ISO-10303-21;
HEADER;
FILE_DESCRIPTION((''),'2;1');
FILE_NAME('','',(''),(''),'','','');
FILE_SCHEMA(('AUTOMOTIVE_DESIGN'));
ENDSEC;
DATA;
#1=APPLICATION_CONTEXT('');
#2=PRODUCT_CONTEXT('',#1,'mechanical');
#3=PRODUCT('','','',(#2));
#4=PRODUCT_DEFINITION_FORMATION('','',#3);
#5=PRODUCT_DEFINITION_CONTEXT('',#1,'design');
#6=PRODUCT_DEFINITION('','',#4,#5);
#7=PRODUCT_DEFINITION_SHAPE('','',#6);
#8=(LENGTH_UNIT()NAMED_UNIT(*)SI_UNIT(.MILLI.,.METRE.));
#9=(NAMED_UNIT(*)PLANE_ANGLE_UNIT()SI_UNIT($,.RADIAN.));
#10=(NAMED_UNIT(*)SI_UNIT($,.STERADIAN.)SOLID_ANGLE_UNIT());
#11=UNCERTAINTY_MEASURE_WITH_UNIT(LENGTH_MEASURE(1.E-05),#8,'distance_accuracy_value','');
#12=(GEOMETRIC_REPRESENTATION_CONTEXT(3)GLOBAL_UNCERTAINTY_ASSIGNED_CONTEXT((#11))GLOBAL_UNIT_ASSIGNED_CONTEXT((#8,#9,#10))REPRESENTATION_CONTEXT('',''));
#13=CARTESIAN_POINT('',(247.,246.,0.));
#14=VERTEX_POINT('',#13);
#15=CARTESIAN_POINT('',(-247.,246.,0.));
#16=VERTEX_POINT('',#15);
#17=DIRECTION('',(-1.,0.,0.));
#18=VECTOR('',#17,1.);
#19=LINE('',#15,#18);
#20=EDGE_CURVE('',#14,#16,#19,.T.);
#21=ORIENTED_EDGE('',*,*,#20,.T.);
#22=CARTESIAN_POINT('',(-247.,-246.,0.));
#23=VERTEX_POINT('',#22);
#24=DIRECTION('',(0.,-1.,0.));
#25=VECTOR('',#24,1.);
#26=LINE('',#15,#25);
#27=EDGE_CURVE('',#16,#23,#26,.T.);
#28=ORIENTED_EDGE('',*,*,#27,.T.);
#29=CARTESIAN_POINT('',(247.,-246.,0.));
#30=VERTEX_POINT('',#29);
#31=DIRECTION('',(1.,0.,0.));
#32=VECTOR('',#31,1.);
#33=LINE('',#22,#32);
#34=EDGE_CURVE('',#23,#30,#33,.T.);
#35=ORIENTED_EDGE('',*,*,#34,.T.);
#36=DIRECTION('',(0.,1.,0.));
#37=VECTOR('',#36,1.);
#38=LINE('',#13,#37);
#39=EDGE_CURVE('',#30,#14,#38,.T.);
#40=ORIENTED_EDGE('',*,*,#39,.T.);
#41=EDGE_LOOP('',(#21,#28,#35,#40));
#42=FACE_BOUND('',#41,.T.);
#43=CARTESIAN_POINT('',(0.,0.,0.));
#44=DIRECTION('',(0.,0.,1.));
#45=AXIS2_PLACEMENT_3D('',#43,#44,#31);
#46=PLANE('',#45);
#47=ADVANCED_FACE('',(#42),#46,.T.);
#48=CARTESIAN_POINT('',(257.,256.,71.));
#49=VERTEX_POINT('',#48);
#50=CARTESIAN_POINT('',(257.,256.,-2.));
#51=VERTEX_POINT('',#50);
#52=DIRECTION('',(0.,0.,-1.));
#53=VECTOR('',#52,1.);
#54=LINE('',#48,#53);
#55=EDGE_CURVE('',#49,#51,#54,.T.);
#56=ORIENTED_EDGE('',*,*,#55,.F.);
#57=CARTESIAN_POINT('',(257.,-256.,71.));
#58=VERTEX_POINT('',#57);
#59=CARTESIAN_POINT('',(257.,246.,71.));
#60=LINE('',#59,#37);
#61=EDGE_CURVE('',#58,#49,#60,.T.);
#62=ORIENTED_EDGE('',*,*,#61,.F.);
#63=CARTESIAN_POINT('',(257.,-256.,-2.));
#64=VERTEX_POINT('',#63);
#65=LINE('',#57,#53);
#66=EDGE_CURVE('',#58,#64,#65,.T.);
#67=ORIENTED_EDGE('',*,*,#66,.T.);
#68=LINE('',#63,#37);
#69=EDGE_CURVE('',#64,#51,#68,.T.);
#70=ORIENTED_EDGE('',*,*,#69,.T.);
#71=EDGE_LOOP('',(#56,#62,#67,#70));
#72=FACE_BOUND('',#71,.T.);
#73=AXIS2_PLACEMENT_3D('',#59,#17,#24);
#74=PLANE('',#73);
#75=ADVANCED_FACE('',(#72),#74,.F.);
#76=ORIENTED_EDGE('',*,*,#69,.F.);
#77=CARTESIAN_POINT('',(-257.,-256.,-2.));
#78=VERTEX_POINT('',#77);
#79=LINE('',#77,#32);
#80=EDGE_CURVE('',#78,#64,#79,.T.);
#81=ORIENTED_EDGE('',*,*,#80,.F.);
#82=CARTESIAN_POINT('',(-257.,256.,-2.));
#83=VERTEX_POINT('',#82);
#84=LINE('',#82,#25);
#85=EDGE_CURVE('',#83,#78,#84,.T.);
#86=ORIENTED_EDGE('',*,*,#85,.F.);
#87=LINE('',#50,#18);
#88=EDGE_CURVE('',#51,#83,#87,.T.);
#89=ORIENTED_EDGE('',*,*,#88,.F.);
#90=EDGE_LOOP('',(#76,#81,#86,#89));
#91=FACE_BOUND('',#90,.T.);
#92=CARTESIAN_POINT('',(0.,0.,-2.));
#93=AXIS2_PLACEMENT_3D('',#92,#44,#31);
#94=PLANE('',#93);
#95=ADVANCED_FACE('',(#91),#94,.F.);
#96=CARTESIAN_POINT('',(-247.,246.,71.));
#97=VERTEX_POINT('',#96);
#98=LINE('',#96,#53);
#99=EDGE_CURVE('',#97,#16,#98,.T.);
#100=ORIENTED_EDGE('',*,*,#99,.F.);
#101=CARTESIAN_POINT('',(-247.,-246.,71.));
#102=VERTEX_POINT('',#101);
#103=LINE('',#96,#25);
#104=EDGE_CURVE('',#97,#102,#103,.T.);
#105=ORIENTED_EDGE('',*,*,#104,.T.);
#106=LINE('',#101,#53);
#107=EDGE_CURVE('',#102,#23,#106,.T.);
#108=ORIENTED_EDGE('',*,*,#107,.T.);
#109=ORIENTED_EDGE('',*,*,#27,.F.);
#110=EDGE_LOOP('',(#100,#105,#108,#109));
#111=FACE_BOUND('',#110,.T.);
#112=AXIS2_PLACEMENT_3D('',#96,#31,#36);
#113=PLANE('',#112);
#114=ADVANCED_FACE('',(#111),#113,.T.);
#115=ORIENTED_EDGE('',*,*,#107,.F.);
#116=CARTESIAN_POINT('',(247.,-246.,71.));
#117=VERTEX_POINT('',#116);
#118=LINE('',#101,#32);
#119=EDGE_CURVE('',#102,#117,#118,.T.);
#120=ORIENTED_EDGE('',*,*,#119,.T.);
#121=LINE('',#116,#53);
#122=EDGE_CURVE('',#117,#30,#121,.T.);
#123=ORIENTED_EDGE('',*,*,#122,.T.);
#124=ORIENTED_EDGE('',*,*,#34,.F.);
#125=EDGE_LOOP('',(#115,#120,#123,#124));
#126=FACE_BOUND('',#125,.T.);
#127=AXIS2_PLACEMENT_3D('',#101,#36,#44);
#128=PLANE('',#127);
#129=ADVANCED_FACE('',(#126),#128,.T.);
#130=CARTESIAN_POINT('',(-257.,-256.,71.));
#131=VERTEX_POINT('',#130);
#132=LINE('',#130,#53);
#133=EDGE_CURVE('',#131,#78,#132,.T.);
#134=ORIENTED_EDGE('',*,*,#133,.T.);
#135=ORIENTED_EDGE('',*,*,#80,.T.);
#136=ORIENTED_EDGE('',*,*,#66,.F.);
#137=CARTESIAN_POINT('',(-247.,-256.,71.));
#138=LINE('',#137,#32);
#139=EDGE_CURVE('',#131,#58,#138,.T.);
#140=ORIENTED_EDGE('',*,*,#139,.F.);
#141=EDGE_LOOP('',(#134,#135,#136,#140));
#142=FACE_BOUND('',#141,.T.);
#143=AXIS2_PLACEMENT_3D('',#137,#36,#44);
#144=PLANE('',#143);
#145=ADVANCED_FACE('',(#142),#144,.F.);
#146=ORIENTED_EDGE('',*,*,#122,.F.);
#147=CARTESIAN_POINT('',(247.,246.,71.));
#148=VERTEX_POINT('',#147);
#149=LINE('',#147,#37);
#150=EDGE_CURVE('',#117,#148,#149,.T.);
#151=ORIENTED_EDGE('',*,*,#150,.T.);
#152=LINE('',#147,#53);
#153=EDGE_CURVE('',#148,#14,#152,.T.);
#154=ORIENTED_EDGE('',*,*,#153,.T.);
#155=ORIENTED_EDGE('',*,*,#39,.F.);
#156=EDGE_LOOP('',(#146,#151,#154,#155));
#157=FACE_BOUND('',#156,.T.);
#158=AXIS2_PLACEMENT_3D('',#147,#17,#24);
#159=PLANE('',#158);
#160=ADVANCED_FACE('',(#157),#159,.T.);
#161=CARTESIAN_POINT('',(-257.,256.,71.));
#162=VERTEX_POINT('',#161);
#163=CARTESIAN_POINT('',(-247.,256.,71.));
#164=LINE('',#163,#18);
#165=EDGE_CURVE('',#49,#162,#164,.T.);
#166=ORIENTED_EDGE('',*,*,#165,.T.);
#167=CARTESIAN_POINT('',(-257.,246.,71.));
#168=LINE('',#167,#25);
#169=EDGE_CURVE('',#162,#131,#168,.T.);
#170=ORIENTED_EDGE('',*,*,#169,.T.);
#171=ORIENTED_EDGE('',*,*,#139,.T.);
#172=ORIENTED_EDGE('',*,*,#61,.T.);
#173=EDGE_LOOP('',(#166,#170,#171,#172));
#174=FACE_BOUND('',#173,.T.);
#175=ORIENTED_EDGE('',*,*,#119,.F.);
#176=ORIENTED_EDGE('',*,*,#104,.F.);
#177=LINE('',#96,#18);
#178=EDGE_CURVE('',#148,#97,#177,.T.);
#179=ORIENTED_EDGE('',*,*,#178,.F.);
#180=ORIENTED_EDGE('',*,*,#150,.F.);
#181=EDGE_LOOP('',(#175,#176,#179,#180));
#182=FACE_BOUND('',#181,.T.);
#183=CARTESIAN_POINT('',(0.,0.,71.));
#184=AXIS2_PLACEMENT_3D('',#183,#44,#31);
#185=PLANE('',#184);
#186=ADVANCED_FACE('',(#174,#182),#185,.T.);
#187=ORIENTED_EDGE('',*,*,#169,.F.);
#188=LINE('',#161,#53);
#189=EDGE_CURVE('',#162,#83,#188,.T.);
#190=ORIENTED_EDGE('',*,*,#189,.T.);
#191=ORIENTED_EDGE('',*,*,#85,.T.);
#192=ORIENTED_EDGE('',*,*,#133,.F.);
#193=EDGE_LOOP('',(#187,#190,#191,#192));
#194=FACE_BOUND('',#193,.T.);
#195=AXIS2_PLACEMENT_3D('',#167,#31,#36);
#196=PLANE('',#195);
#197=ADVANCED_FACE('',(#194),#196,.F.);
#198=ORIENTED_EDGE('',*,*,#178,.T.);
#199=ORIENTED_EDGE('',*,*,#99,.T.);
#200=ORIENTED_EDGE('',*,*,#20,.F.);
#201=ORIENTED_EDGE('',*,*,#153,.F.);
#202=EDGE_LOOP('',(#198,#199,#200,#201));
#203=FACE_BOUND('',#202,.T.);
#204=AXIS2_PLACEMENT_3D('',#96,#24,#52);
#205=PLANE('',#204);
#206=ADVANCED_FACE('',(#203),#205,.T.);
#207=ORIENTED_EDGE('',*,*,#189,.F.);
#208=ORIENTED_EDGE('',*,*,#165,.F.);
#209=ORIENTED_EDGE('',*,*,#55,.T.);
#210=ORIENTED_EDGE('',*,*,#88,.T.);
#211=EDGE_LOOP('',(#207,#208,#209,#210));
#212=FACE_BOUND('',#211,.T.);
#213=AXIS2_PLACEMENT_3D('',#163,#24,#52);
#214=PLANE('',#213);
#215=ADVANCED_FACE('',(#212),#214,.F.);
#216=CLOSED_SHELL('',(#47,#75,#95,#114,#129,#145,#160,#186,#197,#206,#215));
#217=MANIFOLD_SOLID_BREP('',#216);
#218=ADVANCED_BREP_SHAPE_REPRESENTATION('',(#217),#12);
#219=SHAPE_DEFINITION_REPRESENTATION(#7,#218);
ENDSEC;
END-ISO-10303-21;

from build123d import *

# Parameters (mm, degrees)
SKETCH1_W           = 514
SKETCH1_H           = 512
SKETCH1_W_2         = 494
SKETCH1_H_2         = 492
EXTRUDE_THIN1_DEPTH = 71
SKETCH2_W           = 514
SKETCH2_H           = 512
BOSS_EXTRUDE1_DEPTH = 2


with BuildPart() as part:
    # Sketch1 → Extrude-Thin1 (new body)
    with BuildSketch(Plane.XY):
        Rectangle(SKETCH1_W, SKETCH1_H)
        Rectangle(SKETCH1_W_2, SKETCH1_H_2, mode=Mode.SUBTRACT)
    extrude(amount=EXTRUDE_THIN1_DEPTH)

    # Sketch2 → Boss-Extrude1 (add)
    with BuildSketch(Plane.XY):
        Rectangle(SKETCH2_W, SKETCH2_H)
    extrude(amount=-BOSS_EXTRUDE1_DEPTH)


solid = part.part
